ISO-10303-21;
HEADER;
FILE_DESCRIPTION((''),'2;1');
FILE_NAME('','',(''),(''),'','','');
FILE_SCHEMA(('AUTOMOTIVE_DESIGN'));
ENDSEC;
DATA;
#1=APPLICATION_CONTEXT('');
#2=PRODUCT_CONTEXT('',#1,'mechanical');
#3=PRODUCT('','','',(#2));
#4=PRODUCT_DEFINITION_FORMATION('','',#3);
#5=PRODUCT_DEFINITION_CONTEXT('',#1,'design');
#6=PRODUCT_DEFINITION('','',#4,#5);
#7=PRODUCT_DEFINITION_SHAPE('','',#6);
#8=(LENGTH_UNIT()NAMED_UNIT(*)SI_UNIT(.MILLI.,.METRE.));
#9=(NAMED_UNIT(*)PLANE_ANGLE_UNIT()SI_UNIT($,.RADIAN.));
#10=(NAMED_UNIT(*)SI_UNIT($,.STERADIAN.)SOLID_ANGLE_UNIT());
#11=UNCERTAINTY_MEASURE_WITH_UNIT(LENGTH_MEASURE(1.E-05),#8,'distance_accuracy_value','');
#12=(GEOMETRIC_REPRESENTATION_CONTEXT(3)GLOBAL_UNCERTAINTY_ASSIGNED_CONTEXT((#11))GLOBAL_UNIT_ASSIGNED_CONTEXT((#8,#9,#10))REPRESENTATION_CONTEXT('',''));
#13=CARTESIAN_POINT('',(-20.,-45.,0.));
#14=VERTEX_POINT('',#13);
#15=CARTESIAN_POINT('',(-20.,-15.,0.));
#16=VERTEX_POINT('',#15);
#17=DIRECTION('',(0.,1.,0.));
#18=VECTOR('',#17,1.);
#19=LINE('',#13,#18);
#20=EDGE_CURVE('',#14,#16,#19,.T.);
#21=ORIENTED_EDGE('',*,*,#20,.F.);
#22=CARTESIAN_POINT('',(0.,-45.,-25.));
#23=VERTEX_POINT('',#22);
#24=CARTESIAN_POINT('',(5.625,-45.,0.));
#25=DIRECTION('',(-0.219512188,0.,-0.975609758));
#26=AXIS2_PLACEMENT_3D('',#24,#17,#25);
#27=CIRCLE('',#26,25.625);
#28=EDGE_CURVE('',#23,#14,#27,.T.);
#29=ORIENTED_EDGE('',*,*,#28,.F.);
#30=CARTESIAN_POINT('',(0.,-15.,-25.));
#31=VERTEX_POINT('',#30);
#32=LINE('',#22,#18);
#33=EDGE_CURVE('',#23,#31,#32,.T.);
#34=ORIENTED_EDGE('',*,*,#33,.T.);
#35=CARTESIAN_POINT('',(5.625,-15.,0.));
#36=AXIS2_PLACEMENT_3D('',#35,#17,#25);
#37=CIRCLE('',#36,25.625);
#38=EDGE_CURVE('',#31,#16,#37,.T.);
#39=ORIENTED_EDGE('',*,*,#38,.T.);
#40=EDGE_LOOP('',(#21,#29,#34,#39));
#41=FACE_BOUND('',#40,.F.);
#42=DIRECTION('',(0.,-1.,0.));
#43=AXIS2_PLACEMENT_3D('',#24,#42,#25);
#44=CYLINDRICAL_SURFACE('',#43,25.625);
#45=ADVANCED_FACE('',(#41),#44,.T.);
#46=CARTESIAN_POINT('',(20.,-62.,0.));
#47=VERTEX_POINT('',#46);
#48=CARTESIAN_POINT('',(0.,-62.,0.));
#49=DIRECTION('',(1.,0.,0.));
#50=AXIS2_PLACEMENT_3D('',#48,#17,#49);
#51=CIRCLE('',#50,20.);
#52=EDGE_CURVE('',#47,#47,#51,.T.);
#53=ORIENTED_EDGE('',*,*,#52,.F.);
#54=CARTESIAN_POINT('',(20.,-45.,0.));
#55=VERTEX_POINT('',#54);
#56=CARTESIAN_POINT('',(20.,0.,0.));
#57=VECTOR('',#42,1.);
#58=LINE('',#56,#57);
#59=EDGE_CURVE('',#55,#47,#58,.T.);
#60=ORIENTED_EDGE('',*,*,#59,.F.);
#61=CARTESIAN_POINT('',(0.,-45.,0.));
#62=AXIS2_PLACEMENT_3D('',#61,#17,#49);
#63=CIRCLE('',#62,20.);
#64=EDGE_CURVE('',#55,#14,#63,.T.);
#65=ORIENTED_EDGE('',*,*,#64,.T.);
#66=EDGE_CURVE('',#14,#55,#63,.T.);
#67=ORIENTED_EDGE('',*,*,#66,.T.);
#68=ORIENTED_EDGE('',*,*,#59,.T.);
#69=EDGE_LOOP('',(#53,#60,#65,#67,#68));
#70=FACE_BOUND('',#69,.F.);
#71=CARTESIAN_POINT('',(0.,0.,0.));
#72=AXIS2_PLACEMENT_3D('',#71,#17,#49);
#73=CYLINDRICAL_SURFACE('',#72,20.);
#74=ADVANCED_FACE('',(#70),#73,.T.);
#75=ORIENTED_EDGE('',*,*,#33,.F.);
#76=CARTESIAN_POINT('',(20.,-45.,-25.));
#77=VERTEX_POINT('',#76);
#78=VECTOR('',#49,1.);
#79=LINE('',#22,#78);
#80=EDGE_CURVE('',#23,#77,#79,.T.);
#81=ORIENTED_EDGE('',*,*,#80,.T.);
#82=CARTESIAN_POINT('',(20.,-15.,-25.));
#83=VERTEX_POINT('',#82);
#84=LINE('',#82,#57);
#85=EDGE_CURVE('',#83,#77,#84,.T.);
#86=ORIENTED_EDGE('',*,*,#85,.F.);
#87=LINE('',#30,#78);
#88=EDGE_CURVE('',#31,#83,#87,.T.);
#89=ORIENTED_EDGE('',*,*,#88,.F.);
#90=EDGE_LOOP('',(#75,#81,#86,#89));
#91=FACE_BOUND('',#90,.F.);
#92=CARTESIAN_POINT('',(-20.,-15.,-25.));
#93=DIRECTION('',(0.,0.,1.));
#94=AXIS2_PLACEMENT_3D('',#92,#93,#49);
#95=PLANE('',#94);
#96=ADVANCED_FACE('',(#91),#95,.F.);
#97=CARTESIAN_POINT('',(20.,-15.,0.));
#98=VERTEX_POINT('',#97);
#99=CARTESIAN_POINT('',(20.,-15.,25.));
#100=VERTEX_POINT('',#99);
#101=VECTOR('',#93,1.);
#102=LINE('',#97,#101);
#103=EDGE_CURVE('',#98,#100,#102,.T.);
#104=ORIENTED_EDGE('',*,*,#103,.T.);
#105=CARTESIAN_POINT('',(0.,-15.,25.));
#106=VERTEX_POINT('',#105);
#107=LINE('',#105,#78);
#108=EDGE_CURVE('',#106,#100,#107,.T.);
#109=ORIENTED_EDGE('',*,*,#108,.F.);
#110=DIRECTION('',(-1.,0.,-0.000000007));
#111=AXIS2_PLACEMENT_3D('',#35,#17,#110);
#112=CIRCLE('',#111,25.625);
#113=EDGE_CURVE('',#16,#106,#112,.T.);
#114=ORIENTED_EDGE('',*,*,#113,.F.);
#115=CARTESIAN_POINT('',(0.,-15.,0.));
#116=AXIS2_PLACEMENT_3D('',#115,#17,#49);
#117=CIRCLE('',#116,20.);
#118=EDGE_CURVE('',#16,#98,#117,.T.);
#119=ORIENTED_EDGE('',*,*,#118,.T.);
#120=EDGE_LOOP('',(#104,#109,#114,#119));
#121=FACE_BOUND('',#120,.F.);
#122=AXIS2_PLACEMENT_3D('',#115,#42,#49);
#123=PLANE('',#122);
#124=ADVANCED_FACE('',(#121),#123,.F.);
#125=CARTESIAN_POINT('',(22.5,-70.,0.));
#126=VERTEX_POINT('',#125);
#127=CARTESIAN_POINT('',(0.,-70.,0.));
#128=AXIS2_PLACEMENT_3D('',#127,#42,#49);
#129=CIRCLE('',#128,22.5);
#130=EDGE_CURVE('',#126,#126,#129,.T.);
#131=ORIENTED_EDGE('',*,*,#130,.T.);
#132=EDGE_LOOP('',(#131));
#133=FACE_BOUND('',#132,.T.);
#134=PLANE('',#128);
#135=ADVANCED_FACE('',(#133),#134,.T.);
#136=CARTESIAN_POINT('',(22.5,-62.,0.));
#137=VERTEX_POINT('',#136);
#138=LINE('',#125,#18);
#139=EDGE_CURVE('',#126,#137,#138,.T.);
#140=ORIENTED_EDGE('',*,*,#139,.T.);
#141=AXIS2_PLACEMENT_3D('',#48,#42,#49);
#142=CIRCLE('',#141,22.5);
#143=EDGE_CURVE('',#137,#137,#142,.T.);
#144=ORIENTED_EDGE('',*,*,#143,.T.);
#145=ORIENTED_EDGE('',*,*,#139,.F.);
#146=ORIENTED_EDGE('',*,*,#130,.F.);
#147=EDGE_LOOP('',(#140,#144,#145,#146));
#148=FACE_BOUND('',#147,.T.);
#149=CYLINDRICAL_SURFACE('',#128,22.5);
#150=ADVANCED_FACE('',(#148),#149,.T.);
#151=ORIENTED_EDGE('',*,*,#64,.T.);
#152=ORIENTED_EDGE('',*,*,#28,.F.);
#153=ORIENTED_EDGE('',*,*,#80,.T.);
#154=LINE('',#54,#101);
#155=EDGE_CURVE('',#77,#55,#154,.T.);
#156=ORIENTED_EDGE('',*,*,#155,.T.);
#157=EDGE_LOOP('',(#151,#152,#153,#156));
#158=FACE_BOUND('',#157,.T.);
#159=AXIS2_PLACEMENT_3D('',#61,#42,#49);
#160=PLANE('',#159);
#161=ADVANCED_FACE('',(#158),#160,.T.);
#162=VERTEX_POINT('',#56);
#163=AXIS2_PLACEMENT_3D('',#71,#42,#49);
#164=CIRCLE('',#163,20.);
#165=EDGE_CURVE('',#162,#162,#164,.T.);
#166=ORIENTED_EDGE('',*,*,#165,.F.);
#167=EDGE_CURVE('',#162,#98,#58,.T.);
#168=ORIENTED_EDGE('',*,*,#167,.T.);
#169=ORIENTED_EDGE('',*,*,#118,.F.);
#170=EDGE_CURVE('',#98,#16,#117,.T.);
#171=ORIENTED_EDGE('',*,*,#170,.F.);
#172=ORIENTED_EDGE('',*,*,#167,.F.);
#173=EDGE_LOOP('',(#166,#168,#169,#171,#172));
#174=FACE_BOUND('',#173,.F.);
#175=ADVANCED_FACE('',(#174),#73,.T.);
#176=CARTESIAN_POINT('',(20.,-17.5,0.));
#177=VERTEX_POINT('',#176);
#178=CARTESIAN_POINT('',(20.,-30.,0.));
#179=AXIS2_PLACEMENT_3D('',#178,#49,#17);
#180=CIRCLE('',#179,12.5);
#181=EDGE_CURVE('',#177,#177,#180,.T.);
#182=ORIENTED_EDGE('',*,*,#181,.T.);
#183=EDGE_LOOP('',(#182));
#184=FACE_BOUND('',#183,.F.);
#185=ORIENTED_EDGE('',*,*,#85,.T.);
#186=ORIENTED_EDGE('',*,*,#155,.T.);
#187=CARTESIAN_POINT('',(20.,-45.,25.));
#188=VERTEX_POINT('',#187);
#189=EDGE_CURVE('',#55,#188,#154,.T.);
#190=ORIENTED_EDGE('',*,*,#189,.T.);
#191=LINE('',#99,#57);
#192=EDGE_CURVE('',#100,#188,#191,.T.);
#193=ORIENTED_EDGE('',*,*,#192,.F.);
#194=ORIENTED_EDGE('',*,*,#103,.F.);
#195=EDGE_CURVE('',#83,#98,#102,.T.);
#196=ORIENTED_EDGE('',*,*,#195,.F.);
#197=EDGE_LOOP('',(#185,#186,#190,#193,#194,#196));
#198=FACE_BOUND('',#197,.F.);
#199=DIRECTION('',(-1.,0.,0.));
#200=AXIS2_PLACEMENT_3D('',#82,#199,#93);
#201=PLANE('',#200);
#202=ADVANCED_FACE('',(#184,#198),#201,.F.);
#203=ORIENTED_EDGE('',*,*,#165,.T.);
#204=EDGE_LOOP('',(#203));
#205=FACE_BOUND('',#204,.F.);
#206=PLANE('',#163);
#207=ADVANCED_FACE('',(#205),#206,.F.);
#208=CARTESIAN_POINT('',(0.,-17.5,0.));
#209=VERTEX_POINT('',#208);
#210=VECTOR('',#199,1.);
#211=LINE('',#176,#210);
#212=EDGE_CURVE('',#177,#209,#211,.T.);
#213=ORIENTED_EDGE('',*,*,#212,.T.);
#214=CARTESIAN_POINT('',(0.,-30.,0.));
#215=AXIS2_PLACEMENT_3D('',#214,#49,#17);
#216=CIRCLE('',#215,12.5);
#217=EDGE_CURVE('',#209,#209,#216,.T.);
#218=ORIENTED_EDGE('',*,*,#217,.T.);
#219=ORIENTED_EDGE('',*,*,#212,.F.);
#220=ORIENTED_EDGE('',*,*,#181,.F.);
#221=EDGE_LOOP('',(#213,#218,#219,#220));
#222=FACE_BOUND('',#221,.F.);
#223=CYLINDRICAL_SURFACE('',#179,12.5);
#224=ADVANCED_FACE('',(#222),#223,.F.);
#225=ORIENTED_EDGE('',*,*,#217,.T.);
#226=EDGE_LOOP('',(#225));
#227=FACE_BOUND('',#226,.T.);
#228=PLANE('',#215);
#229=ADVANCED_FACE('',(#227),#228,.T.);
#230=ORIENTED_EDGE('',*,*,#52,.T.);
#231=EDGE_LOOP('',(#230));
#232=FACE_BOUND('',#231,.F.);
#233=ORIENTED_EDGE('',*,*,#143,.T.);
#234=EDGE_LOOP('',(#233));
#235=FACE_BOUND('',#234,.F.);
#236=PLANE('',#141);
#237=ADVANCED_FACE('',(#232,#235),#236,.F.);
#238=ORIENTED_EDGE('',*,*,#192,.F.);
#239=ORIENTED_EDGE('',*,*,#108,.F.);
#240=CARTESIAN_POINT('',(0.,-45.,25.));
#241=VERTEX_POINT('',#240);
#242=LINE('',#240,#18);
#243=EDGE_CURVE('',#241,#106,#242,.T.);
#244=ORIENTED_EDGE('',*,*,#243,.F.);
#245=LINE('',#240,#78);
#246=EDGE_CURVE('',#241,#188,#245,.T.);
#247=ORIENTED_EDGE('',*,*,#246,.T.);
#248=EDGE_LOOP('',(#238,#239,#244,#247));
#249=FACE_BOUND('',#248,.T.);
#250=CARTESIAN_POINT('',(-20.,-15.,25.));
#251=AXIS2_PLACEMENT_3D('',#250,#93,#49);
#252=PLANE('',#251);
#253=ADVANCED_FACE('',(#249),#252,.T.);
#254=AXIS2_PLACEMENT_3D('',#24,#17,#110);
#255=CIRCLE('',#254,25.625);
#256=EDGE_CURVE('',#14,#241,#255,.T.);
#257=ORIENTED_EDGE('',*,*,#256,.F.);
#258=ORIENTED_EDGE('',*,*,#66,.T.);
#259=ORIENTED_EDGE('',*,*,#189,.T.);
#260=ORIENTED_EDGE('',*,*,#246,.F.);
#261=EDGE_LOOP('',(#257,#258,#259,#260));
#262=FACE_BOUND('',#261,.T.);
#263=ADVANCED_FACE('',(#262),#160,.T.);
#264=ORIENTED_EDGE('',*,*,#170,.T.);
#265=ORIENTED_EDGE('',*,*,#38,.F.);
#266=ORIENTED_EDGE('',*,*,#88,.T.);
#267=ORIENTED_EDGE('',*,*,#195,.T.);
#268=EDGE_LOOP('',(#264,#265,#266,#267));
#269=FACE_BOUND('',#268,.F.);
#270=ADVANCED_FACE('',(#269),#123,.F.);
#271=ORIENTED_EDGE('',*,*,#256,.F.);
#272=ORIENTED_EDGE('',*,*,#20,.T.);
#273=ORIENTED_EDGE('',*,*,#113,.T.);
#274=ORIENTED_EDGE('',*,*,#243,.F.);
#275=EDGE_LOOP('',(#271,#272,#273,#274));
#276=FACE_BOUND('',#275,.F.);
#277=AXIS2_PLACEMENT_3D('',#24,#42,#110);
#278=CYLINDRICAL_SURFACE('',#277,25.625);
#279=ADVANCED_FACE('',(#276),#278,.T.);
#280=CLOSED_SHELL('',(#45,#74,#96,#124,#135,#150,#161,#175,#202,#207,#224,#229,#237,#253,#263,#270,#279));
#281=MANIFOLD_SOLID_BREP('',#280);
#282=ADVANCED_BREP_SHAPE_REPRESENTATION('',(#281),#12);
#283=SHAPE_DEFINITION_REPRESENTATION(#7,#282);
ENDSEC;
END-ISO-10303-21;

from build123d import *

# Parameters (mm, degrees)
F0_R      = 20
F1_DEPTH  = 70
F3_W      = 40
F3_H      = 50
F4_DEPTH  = 30
F5_R      = 12.5
F6_DEPTH  = 20
F8_DEPTH  = 30
F9_R      = 22.5
F10_DEPTH = 8


with BuildPart() as f1:
    # F0 (on Front) → F1 (new body)
    with BuildSketch(Plane.XZ):
        Circle(F0_R)
    extrude(amount=F1_DEPTH)

    # F3 (on offset) → F4 (join)
    with BuildSketch(Plane.XZ.offset(15)):
        Rectangle(F3_W, F3_H)
    extrude(amount=F4_DEPTH)

    # F5 (on face) → F6 (cut)
    with BuildSketch(Plane.YZ.offset(20)):
        with Locations((-30, 0)):
            Circle(F5_R)
    extrude(amount=-F6_DEPTH, mode=Mode.SUBTRACT)

    # F7 (on face) → F8 (cut, through all)
    with BuildSketch(Plane.XZ.offset(45)):
        with BuildLine():
            ThreePointArc((0, -25), (-14.384763, -16.007811), (-20, 0))
            Line((-20, 0), (-20, -25))
            Line((-20, -25), (0, -25))
        make_face()
        with BuildLine():
            ThreePointArc((-20, 0), (-14.384763, 16.007811), (0, 25))
            Line((0, 25), (-20, 25))
            Line((-20, 25), (-20, 0))
        make_face()
    extrude(amount=-F8_DEPTH, mode=Mode.SUBTRACT)

    # F9 (on face) → F10 (join)
    with BuildSketch(Plane.XZ.offset(70)):
        Circle(F9_R)
    extrude(amount=-F10_DEPTH)


solid = f1.part
